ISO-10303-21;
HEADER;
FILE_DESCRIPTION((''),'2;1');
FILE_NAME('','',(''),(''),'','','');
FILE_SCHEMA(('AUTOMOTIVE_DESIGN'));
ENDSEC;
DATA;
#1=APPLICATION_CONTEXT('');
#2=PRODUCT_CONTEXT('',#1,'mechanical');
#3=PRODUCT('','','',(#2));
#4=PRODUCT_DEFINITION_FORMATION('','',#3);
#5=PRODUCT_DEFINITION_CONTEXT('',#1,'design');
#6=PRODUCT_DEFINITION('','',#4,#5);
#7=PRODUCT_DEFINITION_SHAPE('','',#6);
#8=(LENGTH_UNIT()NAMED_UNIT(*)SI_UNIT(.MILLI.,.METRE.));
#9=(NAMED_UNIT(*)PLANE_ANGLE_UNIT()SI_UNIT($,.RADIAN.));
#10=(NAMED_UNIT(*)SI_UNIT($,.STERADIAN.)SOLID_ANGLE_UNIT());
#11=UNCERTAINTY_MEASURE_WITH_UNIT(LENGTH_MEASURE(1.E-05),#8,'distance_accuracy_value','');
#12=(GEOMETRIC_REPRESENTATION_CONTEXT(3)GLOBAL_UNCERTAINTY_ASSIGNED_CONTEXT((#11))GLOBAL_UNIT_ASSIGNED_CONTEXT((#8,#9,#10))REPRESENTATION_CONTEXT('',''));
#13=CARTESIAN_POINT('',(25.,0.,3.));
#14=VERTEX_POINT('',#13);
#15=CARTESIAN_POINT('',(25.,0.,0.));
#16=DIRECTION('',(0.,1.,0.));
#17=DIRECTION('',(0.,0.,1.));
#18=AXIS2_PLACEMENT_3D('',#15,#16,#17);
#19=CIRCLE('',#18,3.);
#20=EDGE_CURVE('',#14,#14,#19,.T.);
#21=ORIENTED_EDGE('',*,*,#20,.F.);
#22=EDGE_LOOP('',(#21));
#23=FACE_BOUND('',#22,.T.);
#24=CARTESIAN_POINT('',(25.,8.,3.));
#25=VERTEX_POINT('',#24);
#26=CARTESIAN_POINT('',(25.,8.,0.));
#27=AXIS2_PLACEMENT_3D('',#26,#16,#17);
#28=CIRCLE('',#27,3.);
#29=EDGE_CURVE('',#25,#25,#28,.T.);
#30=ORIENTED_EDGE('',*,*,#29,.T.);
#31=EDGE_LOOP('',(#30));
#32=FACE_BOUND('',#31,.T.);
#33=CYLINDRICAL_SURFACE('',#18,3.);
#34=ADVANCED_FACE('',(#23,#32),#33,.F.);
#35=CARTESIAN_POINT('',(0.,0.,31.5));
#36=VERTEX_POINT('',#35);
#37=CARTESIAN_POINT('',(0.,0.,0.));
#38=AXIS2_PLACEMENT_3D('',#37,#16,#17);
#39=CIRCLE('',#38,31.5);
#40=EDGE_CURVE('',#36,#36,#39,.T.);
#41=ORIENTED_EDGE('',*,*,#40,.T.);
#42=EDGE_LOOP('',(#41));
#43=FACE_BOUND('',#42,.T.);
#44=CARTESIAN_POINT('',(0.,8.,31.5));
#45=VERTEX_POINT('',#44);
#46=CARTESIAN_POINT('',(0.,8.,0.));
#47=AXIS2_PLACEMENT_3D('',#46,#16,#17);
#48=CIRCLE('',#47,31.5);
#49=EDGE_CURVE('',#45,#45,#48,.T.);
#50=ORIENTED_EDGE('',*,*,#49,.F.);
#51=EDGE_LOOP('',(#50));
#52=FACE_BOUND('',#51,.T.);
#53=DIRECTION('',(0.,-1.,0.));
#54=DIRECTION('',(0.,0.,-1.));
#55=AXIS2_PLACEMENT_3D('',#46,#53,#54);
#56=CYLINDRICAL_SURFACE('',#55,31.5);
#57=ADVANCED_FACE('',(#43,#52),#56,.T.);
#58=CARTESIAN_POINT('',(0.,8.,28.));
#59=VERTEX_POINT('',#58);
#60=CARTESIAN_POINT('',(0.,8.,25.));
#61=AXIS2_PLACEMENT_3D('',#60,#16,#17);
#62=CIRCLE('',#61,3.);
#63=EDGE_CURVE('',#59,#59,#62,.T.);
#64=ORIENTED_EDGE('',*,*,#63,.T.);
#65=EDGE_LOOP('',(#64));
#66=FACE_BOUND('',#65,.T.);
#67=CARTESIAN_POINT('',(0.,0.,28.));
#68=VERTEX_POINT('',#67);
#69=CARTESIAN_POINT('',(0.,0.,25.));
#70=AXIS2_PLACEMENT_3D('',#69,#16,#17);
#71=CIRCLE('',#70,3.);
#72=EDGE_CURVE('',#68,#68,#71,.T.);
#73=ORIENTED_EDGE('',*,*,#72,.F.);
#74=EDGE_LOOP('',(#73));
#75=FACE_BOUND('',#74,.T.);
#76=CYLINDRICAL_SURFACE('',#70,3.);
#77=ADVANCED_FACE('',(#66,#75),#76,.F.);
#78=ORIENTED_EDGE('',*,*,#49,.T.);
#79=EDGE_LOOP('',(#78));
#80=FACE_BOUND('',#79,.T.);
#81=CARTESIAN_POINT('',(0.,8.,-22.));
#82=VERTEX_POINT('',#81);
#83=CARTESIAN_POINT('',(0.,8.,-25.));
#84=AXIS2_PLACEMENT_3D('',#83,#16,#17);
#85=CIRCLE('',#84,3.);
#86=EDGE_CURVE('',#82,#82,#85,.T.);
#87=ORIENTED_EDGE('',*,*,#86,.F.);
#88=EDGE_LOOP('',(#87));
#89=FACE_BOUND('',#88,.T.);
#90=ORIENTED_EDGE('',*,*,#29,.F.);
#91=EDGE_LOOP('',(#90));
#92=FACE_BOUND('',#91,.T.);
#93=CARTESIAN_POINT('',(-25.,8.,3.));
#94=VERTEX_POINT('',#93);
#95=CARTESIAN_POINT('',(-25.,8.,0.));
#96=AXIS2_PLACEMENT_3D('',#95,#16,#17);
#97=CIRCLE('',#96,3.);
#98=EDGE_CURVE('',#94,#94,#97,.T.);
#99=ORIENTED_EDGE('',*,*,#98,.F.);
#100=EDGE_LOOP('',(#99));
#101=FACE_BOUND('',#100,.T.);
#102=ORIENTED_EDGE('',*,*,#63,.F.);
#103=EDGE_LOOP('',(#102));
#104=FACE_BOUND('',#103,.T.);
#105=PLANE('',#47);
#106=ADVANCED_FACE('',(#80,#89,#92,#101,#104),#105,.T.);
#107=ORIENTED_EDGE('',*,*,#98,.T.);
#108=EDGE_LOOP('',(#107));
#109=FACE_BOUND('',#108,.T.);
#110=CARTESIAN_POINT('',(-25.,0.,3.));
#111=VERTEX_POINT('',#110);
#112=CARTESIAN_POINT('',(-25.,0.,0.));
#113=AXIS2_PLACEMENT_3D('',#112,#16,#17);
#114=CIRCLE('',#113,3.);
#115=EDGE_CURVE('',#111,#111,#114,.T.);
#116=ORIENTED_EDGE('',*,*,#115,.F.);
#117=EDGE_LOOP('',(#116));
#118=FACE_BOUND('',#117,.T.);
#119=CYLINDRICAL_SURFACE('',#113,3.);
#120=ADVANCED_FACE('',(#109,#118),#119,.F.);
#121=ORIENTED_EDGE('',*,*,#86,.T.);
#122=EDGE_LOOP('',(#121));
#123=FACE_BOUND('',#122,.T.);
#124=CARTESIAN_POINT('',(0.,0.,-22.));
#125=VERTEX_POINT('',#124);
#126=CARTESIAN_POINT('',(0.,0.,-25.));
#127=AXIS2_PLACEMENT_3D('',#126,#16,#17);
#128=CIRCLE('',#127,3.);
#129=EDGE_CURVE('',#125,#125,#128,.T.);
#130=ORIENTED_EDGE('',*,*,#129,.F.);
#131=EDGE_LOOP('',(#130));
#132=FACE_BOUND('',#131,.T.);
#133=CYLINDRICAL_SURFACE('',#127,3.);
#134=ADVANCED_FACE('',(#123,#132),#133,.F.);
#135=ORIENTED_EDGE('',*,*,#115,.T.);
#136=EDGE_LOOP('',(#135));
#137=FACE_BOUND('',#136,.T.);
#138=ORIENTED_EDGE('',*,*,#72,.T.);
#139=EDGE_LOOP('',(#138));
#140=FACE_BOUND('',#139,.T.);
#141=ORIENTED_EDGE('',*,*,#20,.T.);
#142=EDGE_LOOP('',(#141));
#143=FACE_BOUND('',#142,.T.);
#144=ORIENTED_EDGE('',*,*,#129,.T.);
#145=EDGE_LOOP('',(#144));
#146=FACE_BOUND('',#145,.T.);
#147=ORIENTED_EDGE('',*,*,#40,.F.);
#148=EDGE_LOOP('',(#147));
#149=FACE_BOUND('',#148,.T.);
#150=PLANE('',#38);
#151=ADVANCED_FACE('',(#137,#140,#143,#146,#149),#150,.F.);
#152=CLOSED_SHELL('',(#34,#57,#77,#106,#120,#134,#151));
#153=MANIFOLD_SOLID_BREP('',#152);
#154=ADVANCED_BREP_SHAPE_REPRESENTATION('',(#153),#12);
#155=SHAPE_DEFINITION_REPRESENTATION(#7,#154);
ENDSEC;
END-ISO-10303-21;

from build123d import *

# Parameters (mm, degrees)
SKETCH1_R           = 31.5
BOSS_EXTRUDE1_DEPTH = 8
SKETCH2_R           = 3
CUT_EXTRUDE1_DEPTH  = 46.260357931


with BuildPart() as part:
    # Sketch1 → Boss-Extrude1 (new body)
    with BuildSketch(Plane(origin=(0, 0, 0), x_dir=(1, 0, 0), z_dir=(0, 1, 0))):
        with Locations(Location((0, 0, 0), (0, 0, 270))):
            Circle(SKETCH1_R)
    extrude(amount=BOSS_EXTRUDE1_DEPTH)

    # Sketch2 → Cut-Extrude1 (cut, through all)
    with BuildSketch(Plane(origin=(0, 8, 0), x_dir=(1, 0, 0), z_dir=(0, 1, 0))):
        with Locations(Location((0, 25, 0), (0, 0, 270))):
            Circle(SKETCH2_R)
        with Locations(Location((-25, 0, 0), (0, 0, 270))):
            Circle(SKETCH2_R)
        with Locations(Location((0, -25, 0), (0, 0, 270))):
            Circle(SKETCH2_R)
        with Locations(Location((25, 0, 0), (0, 0, 270))):
            Circle(SKETCH2_R)
    extrude(amount=-CUT_EXTRUDE1_DEPTH, mode=Mode.SUBTRACT)


solid = part.part
